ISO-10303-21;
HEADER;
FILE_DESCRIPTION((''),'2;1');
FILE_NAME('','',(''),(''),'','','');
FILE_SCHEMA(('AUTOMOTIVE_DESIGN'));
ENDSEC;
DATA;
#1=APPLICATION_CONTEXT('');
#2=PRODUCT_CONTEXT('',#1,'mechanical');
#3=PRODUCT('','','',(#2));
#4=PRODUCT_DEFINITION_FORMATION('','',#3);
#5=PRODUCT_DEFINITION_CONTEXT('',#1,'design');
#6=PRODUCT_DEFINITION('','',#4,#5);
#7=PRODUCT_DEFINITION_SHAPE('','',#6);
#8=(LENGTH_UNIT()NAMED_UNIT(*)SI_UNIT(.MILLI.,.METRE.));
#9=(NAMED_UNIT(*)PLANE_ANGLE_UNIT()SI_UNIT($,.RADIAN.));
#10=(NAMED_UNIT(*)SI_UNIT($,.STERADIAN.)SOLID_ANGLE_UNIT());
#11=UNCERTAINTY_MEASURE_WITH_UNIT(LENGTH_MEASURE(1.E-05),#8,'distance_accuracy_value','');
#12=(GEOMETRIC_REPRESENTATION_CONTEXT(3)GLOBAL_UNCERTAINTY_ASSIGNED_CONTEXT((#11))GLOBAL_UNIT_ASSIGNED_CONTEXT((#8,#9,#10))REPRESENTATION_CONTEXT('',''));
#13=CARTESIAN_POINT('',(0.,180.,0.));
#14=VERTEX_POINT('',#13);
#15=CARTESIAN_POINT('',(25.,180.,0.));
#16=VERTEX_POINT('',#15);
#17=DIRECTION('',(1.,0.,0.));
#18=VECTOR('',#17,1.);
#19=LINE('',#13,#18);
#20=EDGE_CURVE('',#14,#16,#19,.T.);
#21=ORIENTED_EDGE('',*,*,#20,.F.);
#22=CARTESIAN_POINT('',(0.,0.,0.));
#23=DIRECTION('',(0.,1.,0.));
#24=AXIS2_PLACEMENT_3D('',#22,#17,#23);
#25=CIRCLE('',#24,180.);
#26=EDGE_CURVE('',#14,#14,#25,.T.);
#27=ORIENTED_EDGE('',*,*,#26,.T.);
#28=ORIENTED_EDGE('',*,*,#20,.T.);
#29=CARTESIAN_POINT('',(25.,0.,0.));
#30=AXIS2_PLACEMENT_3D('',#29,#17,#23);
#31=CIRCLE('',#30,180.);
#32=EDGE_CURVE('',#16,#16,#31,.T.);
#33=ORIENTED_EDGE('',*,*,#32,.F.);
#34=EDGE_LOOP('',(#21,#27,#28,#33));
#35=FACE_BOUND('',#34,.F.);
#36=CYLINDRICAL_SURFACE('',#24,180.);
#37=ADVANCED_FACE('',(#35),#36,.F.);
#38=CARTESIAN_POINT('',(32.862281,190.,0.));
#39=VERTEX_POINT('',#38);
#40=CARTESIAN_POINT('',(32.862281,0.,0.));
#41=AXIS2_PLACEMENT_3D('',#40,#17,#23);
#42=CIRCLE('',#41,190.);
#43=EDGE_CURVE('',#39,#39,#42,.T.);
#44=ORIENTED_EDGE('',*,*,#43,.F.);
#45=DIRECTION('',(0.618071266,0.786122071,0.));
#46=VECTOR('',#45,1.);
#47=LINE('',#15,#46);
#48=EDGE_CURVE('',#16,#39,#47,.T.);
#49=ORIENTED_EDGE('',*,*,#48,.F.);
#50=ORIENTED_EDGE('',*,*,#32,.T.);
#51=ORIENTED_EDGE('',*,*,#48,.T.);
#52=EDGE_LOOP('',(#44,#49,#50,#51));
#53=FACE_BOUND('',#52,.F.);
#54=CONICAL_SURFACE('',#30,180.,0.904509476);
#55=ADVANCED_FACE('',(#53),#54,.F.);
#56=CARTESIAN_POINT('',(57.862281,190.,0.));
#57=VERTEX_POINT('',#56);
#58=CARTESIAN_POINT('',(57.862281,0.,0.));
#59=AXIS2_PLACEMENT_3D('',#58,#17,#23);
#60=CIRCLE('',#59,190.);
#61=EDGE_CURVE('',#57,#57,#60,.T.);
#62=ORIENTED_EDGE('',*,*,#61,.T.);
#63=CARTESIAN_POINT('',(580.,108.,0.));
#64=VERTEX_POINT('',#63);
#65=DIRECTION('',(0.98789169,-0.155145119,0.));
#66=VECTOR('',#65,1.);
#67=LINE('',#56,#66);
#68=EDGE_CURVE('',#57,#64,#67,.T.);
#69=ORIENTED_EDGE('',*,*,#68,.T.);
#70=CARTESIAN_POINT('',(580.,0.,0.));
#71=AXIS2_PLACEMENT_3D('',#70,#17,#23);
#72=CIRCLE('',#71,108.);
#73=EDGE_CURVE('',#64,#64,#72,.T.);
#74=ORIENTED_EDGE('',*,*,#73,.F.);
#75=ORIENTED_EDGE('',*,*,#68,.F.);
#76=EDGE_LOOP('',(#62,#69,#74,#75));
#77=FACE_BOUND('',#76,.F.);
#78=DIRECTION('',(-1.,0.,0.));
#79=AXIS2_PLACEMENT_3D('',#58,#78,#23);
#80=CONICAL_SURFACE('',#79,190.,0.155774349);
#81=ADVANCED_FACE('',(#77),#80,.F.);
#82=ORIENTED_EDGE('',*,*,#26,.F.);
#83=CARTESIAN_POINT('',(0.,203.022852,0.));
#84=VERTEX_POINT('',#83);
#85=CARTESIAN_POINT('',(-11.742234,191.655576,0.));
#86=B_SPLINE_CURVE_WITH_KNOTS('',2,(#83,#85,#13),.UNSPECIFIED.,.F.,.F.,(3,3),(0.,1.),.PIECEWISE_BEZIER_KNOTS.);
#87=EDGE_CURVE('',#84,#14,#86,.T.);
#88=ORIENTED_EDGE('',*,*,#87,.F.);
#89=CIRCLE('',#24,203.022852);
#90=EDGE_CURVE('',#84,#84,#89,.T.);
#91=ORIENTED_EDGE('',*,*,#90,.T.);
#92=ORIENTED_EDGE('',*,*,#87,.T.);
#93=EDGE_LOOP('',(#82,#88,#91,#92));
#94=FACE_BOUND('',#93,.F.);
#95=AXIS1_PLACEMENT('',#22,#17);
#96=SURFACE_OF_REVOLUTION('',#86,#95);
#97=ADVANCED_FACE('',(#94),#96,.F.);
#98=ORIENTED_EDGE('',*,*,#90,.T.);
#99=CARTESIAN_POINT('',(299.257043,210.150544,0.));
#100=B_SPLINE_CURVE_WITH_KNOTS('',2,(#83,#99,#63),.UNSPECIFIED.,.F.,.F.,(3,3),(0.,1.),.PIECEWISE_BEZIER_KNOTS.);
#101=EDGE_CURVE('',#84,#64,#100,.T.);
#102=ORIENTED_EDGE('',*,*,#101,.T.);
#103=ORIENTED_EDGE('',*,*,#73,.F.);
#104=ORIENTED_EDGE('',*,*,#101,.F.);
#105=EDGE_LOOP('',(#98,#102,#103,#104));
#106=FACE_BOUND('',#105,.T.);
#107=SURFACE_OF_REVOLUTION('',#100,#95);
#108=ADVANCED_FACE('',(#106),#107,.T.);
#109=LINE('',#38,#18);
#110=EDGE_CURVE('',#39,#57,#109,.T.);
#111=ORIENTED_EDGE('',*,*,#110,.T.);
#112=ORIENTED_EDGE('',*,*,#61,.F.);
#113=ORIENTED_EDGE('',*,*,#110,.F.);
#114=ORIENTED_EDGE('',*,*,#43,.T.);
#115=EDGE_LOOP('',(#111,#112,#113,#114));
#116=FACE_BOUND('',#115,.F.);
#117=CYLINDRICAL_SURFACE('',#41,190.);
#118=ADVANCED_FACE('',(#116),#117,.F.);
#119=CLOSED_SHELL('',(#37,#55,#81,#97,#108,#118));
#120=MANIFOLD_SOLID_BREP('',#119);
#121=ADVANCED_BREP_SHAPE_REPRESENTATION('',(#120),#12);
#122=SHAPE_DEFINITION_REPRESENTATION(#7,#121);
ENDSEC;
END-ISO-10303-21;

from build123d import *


with BuildPart() as part:
    # Sketch1 → Revolve1 (revolve)
    with BuildSketch(Plane.XY):
        with BuildLine():
            Line((0, 180), (25, 180))
            Line((25, 180), (32.862281051, 190))
            Line((32.862281051, 190), (57.862281051, 190))
            Line((57.862281051, 190), (580, 108))
            add(Edge.make_bspline(
                [(0, 203.022852395), (299.257043437, 210.150543868), (580, 108)],
                knots=[0, 0, 0, 1, 1, 1], degree=2))
            add(Edge.make_bspline(
                [(0, 203.022852395), (-11.74223398, 191.655576066), (0, 180)],
                knots=[0, 0, 0, 1, 1, 1], degree=2))
        make_face()
    revolve(axis=Axis((0, 0, 0), (1, 0, 0)))


solid = part.part
